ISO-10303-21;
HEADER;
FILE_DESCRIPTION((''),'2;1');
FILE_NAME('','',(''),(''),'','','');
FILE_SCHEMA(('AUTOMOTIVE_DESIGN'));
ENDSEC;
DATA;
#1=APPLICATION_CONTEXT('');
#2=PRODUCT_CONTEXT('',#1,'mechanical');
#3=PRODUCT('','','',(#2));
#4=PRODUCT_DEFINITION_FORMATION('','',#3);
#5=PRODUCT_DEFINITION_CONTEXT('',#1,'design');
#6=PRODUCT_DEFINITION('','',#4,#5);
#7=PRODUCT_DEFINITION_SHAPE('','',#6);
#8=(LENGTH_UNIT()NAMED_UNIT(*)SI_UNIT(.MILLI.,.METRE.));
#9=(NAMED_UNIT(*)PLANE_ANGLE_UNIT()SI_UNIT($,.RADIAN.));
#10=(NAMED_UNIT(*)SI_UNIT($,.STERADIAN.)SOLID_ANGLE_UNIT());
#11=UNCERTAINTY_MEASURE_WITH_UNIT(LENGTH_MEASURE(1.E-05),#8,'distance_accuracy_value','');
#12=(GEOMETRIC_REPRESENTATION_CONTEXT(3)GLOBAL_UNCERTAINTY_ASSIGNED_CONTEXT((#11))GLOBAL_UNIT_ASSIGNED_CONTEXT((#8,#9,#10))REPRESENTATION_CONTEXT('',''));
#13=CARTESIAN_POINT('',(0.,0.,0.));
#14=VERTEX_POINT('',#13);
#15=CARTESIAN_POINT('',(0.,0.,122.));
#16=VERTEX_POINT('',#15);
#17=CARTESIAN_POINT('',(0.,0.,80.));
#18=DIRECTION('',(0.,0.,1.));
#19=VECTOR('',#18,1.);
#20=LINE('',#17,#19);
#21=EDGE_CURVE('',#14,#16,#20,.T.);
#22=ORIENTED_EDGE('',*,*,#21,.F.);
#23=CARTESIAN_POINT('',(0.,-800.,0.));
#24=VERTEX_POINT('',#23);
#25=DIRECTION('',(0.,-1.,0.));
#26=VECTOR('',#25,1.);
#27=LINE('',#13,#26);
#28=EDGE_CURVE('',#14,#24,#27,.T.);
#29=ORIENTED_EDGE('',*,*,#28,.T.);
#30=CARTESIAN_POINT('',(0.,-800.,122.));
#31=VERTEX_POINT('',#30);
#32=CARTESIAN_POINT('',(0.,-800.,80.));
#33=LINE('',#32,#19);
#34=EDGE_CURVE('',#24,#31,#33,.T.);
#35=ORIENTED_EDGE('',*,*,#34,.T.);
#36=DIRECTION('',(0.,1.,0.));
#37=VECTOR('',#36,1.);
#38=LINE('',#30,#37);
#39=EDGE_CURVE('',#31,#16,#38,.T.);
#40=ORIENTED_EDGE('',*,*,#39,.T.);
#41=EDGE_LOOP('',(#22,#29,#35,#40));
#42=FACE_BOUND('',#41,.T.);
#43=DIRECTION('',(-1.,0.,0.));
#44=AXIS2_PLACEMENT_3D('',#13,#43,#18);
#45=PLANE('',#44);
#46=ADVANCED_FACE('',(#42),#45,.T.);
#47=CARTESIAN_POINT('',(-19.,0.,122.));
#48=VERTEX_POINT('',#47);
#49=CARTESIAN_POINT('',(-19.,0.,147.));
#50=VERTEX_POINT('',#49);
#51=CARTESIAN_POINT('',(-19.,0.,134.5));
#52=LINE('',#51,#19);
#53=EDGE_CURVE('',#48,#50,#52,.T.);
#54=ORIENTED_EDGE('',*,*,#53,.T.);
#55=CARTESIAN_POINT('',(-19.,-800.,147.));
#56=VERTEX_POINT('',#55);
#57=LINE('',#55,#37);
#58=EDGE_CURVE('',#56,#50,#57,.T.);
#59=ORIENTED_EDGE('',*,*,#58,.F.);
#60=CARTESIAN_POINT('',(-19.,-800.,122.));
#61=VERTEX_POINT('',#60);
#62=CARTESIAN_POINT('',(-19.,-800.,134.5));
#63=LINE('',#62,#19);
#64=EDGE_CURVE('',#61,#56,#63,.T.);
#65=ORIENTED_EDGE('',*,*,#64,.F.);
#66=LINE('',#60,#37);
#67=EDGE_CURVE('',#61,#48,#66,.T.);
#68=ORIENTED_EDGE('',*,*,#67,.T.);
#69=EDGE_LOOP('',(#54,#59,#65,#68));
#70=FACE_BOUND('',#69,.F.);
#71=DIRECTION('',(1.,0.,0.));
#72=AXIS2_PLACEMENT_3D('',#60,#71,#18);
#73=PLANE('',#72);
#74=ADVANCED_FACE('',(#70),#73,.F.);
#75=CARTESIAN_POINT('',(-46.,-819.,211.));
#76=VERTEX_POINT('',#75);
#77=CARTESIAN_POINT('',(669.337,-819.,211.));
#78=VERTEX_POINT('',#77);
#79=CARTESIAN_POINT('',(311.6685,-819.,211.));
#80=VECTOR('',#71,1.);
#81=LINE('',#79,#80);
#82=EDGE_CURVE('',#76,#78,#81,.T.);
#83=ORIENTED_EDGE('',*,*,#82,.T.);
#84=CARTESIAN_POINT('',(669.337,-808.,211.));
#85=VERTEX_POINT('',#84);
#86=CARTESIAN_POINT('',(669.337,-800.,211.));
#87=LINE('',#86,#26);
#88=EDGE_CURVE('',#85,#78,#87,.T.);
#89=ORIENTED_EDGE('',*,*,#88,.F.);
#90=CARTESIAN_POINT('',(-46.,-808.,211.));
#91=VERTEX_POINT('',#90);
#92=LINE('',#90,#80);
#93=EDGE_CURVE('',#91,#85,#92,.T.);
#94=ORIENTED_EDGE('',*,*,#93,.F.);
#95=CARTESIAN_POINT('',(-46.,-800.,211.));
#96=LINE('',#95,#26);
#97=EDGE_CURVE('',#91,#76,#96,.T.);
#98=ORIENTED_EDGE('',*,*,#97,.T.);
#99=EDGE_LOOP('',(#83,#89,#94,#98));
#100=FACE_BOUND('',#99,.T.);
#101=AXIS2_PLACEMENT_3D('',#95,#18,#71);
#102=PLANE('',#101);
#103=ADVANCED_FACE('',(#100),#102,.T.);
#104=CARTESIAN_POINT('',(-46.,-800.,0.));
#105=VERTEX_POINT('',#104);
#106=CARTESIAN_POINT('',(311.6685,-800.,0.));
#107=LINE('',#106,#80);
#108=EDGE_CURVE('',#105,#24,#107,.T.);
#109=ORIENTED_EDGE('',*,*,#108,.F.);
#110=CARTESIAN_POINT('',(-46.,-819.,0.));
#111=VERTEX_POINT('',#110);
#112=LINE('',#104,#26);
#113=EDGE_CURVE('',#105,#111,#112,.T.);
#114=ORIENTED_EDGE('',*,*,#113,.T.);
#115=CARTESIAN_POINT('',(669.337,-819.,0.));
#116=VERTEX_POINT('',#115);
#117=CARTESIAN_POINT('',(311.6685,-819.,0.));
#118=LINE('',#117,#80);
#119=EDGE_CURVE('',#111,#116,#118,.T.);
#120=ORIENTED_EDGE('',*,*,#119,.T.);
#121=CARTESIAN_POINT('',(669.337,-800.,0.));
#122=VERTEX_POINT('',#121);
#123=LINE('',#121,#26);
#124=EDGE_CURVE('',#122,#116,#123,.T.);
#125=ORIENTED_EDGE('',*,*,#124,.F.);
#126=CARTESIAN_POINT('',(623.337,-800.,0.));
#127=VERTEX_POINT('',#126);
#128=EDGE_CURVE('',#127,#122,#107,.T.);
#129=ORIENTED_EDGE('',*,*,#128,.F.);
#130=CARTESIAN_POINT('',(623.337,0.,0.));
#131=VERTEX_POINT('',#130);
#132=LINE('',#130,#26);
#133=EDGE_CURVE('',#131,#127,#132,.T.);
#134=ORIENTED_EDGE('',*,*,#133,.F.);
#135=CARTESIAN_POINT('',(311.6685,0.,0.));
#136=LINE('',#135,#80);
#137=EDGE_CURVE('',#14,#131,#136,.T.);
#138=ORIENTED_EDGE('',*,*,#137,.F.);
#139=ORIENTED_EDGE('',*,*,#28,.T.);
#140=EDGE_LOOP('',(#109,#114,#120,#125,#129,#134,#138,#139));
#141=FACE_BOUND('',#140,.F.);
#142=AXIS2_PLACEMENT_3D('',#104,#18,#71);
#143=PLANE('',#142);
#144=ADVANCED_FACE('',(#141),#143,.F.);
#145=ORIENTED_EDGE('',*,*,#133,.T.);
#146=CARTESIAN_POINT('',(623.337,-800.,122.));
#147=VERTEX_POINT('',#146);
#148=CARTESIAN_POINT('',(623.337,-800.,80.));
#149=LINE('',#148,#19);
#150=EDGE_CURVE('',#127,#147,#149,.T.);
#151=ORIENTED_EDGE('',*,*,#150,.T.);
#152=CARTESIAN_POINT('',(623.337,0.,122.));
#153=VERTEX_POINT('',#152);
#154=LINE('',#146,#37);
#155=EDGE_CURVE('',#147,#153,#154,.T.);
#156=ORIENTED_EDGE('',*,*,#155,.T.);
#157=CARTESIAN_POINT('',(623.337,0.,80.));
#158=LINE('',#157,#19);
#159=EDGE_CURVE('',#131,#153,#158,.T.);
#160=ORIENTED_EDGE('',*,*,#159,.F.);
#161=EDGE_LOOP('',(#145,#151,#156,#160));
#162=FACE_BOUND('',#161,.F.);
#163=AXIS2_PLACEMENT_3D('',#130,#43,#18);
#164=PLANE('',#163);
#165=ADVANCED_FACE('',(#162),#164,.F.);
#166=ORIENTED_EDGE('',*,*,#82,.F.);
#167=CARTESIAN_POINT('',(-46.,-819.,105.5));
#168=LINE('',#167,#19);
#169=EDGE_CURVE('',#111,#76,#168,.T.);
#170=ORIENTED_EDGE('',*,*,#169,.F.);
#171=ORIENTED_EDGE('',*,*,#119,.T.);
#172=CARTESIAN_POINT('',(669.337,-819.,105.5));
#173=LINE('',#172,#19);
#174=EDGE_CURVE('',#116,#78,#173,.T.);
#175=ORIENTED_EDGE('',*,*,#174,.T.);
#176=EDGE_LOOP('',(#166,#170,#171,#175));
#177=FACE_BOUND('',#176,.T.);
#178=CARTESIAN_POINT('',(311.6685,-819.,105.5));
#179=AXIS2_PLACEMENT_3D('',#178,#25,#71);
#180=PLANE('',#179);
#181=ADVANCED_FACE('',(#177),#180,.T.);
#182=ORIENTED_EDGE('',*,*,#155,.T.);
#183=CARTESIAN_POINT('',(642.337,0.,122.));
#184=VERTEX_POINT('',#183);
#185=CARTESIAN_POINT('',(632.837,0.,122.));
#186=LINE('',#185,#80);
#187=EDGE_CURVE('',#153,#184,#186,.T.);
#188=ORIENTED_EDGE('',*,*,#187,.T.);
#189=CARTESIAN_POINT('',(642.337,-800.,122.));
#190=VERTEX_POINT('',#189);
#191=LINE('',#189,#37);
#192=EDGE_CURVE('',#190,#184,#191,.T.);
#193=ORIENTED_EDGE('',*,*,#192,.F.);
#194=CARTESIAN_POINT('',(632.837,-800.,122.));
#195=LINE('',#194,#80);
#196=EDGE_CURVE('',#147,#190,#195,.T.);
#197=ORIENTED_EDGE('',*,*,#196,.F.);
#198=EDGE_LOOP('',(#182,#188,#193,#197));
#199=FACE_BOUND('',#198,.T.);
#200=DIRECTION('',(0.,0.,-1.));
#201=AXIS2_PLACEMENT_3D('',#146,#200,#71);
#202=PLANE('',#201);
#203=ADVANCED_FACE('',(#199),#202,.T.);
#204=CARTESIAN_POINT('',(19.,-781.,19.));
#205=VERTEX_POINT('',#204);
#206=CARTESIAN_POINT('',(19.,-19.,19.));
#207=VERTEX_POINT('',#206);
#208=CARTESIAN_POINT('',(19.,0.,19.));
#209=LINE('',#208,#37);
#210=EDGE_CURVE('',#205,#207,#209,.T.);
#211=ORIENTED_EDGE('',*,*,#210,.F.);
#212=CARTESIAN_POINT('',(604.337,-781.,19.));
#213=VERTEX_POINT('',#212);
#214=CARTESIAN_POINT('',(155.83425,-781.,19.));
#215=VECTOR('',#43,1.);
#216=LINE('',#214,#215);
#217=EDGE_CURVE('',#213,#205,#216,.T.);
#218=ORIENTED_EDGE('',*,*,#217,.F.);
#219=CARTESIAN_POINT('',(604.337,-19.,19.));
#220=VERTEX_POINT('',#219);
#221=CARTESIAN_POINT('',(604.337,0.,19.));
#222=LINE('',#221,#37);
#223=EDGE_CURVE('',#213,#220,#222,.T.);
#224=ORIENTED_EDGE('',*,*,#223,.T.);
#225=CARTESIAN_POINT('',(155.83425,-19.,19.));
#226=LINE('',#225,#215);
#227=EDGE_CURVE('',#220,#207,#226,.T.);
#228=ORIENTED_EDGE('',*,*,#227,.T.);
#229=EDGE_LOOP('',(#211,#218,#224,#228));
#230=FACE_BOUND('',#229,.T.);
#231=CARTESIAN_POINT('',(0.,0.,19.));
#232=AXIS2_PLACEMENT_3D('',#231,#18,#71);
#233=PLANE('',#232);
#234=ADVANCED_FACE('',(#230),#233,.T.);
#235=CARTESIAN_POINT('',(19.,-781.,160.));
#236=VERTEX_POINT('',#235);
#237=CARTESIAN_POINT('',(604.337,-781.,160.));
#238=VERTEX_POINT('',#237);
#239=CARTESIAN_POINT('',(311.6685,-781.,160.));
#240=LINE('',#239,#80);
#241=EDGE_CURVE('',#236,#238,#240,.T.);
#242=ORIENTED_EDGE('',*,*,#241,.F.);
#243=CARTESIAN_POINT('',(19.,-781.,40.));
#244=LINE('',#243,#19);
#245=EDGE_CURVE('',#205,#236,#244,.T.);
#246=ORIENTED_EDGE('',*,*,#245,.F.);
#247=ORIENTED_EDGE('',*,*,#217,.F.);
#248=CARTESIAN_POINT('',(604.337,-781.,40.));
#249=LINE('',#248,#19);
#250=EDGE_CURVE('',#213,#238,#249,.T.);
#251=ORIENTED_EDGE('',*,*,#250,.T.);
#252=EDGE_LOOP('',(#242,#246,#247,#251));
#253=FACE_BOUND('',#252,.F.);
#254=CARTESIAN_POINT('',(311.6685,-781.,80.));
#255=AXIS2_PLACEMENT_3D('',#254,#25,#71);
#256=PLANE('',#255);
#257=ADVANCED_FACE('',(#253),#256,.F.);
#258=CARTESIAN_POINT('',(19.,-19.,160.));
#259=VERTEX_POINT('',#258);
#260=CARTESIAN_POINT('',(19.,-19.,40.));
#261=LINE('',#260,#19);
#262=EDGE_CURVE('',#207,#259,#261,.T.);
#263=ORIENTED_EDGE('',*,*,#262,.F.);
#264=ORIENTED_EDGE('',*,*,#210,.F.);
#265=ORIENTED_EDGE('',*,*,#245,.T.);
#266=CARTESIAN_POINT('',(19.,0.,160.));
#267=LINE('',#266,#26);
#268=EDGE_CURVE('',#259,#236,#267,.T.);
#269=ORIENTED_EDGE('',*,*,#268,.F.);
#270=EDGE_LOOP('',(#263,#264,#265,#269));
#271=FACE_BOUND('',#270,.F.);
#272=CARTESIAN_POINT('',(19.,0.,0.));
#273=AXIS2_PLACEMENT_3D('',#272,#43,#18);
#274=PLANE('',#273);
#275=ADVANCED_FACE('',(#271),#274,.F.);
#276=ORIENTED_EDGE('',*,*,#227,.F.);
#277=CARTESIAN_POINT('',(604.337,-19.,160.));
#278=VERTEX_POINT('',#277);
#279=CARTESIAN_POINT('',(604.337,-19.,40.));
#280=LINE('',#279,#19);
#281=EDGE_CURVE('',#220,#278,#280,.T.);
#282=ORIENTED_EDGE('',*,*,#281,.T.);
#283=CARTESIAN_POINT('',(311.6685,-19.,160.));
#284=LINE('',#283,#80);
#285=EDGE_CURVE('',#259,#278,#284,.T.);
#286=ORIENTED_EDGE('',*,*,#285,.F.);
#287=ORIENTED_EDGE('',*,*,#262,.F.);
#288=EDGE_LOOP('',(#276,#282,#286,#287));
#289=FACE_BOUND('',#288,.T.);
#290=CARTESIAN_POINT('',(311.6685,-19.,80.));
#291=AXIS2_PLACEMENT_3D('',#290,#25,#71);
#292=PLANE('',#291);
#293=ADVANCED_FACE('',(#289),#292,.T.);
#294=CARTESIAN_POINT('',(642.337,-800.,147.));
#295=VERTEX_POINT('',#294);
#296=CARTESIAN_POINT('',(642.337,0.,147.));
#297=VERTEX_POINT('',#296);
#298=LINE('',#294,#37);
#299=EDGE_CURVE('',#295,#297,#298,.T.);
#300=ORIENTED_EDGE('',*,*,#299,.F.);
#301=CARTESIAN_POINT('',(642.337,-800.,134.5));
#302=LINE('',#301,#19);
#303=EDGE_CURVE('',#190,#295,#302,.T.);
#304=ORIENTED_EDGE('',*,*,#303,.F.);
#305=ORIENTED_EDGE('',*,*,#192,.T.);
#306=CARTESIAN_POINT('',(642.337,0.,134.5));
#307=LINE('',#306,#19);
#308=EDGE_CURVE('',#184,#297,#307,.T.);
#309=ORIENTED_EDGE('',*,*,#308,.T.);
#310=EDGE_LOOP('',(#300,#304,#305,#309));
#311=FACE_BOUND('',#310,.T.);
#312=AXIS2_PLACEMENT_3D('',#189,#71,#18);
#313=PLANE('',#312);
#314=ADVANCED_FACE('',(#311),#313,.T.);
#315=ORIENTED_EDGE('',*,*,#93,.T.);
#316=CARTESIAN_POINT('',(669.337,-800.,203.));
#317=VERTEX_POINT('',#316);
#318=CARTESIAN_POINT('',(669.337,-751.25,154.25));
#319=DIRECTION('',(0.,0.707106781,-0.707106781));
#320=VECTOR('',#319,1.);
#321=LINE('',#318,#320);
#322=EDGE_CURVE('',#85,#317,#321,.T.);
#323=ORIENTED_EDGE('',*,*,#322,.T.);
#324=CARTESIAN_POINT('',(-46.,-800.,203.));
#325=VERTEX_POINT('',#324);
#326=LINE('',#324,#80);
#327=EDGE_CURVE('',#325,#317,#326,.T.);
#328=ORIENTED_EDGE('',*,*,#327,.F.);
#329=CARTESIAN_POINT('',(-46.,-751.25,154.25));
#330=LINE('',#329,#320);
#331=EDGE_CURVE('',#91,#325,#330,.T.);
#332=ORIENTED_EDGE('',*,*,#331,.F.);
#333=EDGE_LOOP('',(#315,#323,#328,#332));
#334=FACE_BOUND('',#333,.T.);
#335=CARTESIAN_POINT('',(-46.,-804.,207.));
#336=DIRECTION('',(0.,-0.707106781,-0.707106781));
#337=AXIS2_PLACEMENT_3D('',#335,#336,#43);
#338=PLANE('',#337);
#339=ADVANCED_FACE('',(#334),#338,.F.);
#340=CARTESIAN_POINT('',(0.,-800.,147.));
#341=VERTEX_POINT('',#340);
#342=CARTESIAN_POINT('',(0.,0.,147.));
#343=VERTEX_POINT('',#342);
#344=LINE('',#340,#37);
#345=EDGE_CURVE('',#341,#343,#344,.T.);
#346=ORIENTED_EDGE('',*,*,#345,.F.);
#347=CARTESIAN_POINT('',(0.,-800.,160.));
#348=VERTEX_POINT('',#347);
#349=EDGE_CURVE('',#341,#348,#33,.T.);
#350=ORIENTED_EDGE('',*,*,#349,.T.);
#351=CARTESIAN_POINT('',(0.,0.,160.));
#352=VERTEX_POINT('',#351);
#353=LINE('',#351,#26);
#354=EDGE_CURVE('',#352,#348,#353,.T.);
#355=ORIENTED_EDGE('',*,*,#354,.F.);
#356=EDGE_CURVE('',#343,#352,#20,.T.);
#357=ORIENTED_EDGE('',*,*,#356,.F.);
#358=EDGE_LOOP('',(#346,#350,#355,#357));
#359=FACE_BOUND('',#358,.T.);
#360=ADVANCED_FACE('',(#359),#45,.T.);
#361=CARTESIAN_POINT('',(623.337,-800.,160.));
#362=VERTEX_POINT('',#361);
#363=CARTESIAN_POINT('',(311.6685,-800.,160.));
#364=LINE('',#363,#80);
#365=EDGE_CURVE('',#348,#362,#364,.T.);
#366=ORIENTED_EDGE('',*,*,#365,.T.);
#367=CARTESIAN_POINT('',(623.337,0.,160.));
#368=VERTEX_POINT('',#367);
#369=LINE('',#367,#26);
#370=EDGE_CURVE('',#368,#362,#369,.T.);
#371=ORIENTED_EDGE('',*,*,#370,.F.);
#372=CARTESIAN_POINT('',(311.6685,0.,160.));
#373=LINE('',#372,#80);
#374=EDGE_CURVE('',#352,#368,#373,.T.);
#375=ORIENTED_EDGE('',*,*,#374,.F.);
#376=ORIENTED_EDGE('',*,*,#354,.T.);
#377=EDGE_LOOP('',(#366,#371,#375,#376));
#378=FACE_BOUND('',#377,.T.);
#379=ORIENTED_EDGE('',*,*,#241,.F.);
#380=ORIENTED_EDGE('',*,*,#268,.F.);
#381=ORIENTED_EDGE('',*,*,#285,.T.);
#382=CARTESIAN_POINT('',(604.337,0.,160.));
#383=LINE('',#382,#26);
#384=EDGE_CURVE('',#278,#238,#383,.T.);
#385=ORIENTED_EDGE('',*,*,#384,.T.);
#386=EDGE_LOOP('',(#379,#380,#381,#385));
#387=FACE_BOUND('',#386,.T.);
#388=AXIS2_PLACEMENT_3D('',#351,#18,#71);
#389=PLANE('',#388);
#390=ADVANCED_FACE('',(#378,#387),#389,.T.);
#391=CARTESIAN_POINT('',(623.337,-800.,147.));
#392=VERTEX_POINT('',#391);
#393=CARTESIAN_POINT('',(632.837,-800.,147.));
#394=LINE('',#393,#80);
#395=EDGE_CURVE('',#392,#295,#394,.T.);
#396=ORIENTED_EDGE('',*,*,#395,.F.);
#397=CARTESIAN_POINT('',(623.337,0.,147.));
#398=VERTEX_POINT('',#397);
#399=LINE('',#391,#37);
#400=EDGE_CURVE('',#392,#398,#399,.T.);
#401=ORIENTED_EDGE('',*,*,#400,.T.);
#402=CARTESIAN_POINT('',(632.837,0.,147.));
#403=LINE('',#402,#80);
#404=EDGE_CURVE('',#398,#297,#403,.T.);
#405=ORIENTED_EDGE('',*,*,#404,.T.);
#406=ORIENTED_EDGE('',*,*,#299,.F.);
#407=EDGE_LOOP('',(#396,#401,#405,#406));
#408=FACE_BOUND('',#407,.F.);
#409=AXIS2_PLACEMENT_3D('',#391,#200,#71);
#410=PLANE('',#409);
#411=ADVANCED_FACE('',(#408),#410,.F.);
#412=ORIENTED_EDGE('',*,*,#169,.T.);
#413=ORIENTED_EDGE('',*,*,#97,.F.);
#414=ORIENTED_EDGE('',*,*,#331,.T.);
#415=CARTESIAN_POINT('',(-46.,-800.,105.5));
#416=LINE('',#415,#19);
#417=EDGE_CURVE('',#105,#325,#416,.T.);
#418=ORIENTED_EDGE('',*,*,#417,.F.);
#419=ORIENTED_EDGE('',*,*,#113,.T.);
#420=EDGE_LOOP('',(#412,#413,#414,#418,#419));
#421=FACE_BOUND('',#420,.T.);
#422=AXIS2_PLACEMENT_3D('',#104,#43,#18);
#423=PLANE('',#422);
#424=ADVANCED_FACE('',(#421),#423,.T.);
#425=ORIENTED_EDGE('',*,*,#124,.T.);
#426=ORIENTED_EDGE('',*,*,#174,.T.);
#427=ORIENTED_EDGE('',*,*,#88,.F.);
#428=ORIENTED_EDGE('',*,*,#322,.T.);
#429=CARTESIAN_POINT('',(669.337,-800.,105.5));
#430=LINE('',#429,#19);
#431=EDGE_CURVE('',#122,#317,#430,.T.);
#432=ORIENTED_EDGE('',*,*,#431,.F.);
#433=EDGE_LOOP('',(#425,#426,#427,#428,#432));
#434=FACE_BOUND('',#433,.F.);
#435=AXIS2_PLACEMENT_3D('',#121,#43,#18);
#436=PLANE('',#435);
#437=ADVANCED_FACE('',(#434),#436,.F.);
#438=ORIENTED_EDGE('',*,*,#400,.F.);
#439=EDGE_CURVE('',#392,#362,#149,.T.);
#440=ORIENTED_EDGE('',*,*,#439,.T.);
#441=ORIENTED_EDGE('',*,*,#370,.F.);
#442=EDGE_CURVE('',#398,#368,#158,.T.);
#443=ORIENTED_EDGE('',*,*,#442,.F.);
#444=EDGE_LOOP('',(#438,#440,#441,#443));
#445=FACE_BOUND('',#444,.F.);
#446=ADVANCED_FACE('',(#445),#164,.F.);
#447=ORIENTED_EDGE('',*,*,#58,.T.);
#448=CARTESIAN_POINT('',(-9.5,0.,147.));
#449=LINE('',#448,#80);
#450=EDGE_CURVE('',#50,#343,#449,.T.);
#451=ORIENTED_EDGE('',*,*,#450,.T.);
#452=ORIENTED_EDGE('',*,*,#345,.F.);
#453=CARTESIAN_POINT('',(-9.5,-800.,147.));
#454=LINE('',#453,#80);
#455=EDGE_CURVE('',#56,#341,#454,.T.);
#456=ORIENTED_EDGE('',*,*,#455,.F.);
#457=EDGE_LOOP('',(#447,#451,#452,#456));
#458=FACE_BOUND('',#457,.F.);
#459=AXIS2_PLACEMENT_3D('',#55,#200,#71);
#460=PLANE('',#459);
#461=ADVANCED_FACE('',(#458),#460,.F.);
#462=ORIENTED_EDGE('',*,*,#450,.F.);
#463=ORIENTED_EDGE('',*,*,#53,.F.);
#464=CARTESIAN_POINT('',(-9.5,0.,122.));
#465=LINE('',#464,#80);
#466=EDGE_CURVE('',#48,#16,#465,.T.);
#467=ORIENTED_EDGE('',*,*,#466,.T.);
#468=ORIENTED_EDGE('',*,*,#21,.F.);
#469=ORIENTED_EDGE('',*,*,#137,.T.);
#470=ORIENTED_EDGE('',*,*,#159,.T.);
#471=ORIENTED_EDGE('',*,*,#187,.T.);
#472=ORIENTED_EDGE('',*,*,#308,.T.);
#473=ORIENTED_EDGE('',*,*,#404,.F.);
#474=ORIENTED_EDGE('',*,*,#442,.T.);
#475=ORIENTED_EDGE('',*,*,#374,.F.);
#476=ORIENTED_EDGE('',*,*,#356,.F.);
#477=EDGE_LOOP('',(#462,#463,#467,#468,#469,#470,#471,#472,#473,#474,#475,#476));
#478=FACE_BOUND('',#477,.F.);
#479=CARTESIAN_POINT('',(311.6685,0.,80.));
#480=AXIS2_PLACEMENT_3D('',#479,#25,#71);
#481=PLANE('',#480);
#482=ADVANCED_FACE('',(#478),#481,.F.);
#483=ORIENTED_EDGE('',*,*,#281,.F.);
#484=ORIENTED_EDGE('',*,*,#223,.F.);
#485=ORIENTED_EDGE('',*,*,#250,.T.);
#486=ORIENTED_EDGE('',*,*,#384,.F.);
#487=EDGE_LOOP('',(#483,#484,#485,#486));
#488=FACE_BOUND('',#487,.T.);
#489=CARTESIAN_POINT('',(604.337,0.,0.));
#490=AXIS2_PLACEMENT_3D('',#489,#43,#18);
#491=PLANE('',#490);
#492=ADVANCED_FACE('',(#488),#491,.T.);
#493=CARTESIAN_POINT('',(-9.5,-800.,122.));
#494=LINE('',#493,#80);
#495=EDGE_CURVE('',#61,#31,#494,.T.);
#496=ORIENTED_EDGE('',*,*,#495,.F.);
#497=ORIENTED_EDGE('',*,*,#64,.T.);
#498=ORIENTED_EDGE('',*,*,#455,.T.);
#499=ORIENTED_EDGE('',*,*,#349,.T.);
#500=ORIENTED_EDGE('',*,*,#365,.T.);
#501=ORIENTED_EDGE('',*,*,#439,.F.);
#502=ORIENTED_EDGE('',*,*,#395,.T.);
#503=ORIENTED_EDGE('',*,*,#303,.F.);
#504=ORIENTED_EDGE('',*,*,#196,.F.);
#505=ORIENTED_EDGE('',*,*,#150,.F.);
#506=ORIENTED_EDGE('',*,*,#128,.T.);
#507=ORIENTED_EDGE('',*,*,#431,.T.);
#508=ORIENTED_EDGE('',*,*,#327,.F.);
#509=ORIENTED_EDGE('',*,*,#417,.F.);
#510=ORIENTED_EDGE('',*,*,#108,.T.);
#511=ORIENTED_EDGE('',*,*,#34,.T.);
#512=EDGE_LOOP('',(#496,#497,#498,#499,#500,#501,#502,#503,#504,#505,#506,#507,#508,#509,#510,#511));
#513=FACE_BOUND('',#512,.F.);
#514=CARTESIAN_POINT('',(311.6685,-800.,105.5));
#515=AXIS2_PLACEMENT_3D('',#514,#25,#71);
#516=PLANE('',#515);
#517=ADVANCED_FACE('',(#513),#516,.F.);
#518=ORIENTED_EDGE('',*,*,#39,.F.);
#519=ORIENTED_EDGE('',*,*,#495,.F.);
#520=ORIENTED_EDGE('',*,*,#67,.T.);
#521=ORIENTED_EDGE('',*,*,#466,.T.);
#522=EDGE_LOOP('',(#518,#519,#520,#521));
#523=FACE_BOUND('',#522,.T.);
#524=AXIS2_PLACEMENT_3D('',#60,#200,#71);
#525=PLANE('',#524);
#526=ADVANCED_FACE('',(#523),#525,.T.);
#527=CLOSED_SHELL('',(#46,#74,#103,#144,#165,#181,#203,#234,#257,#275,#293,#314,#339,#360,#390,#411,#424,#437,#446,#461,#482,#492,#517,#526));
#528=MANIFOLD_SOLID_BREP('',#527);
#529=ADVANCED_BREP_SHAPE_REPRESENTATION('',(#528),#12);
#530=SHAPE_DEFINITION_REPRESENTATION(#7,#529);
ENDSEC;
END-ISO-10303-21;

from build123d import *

# Parameters (mm, degrees)
F0_W     = 623.337
F0_H     = 160
F1_DEPTH = 800
F2_T     = -19
F3_W     = 19
F3_H     = 25
F4_DEPTH = 800
F6_W     = 715.337
F6_H     = 211
F7_DEPTH = 19
F9_SIZE  = 8


with BuildPart() as f1:
    # F0 (on Front) → F1 (new body)
    with BuildSketch(Plane.XZ):
        with Locations((311.6685, 80)):
            Rectangle(F0_W, F0_H)
    extrude(amount=F1_DEPTH)

    # F2
    f2_openings = [f1.faces().sort_by_distance(p)[0] for p in [
        (311.6685, -400, 160),
    ]]
    offset(amount=F2_T, openings=f2_openings)


with BuildPart() as f4:
    # F3 (on face) → F4 (new body)
    with BuildSketch(Plane.XZ.offset(800)):
        with Locations((-9.5, 134.5)):
            Rectangle(F3_W, F3_H)
        with Locations((632.837, 134.5)):
            Rectangle(F3_W, F3_H)
    extrude(amount=-F4_DEPTH)


with BuildPart() as f1_1:
    add(f1.part)

    # F5: union F4
    add(f4.part)

    # F6 (on face) → F7 (join)
    with BuildSketch(Plane.XZ.offset(800)):
        with Locations((311.6685, 105.5)):
            Rectangle(F6_W, F6_H)
    extrude(amount=F7_DEPTH)

    # F9
    f9_edges = [f1_1.edges().sort_by_distance(p)[0] for p in [
        (311.6685, -800, 211),
    ]]
    chamfer(f9_edges, length=F9_SIZE)


solid = f1_1.part
